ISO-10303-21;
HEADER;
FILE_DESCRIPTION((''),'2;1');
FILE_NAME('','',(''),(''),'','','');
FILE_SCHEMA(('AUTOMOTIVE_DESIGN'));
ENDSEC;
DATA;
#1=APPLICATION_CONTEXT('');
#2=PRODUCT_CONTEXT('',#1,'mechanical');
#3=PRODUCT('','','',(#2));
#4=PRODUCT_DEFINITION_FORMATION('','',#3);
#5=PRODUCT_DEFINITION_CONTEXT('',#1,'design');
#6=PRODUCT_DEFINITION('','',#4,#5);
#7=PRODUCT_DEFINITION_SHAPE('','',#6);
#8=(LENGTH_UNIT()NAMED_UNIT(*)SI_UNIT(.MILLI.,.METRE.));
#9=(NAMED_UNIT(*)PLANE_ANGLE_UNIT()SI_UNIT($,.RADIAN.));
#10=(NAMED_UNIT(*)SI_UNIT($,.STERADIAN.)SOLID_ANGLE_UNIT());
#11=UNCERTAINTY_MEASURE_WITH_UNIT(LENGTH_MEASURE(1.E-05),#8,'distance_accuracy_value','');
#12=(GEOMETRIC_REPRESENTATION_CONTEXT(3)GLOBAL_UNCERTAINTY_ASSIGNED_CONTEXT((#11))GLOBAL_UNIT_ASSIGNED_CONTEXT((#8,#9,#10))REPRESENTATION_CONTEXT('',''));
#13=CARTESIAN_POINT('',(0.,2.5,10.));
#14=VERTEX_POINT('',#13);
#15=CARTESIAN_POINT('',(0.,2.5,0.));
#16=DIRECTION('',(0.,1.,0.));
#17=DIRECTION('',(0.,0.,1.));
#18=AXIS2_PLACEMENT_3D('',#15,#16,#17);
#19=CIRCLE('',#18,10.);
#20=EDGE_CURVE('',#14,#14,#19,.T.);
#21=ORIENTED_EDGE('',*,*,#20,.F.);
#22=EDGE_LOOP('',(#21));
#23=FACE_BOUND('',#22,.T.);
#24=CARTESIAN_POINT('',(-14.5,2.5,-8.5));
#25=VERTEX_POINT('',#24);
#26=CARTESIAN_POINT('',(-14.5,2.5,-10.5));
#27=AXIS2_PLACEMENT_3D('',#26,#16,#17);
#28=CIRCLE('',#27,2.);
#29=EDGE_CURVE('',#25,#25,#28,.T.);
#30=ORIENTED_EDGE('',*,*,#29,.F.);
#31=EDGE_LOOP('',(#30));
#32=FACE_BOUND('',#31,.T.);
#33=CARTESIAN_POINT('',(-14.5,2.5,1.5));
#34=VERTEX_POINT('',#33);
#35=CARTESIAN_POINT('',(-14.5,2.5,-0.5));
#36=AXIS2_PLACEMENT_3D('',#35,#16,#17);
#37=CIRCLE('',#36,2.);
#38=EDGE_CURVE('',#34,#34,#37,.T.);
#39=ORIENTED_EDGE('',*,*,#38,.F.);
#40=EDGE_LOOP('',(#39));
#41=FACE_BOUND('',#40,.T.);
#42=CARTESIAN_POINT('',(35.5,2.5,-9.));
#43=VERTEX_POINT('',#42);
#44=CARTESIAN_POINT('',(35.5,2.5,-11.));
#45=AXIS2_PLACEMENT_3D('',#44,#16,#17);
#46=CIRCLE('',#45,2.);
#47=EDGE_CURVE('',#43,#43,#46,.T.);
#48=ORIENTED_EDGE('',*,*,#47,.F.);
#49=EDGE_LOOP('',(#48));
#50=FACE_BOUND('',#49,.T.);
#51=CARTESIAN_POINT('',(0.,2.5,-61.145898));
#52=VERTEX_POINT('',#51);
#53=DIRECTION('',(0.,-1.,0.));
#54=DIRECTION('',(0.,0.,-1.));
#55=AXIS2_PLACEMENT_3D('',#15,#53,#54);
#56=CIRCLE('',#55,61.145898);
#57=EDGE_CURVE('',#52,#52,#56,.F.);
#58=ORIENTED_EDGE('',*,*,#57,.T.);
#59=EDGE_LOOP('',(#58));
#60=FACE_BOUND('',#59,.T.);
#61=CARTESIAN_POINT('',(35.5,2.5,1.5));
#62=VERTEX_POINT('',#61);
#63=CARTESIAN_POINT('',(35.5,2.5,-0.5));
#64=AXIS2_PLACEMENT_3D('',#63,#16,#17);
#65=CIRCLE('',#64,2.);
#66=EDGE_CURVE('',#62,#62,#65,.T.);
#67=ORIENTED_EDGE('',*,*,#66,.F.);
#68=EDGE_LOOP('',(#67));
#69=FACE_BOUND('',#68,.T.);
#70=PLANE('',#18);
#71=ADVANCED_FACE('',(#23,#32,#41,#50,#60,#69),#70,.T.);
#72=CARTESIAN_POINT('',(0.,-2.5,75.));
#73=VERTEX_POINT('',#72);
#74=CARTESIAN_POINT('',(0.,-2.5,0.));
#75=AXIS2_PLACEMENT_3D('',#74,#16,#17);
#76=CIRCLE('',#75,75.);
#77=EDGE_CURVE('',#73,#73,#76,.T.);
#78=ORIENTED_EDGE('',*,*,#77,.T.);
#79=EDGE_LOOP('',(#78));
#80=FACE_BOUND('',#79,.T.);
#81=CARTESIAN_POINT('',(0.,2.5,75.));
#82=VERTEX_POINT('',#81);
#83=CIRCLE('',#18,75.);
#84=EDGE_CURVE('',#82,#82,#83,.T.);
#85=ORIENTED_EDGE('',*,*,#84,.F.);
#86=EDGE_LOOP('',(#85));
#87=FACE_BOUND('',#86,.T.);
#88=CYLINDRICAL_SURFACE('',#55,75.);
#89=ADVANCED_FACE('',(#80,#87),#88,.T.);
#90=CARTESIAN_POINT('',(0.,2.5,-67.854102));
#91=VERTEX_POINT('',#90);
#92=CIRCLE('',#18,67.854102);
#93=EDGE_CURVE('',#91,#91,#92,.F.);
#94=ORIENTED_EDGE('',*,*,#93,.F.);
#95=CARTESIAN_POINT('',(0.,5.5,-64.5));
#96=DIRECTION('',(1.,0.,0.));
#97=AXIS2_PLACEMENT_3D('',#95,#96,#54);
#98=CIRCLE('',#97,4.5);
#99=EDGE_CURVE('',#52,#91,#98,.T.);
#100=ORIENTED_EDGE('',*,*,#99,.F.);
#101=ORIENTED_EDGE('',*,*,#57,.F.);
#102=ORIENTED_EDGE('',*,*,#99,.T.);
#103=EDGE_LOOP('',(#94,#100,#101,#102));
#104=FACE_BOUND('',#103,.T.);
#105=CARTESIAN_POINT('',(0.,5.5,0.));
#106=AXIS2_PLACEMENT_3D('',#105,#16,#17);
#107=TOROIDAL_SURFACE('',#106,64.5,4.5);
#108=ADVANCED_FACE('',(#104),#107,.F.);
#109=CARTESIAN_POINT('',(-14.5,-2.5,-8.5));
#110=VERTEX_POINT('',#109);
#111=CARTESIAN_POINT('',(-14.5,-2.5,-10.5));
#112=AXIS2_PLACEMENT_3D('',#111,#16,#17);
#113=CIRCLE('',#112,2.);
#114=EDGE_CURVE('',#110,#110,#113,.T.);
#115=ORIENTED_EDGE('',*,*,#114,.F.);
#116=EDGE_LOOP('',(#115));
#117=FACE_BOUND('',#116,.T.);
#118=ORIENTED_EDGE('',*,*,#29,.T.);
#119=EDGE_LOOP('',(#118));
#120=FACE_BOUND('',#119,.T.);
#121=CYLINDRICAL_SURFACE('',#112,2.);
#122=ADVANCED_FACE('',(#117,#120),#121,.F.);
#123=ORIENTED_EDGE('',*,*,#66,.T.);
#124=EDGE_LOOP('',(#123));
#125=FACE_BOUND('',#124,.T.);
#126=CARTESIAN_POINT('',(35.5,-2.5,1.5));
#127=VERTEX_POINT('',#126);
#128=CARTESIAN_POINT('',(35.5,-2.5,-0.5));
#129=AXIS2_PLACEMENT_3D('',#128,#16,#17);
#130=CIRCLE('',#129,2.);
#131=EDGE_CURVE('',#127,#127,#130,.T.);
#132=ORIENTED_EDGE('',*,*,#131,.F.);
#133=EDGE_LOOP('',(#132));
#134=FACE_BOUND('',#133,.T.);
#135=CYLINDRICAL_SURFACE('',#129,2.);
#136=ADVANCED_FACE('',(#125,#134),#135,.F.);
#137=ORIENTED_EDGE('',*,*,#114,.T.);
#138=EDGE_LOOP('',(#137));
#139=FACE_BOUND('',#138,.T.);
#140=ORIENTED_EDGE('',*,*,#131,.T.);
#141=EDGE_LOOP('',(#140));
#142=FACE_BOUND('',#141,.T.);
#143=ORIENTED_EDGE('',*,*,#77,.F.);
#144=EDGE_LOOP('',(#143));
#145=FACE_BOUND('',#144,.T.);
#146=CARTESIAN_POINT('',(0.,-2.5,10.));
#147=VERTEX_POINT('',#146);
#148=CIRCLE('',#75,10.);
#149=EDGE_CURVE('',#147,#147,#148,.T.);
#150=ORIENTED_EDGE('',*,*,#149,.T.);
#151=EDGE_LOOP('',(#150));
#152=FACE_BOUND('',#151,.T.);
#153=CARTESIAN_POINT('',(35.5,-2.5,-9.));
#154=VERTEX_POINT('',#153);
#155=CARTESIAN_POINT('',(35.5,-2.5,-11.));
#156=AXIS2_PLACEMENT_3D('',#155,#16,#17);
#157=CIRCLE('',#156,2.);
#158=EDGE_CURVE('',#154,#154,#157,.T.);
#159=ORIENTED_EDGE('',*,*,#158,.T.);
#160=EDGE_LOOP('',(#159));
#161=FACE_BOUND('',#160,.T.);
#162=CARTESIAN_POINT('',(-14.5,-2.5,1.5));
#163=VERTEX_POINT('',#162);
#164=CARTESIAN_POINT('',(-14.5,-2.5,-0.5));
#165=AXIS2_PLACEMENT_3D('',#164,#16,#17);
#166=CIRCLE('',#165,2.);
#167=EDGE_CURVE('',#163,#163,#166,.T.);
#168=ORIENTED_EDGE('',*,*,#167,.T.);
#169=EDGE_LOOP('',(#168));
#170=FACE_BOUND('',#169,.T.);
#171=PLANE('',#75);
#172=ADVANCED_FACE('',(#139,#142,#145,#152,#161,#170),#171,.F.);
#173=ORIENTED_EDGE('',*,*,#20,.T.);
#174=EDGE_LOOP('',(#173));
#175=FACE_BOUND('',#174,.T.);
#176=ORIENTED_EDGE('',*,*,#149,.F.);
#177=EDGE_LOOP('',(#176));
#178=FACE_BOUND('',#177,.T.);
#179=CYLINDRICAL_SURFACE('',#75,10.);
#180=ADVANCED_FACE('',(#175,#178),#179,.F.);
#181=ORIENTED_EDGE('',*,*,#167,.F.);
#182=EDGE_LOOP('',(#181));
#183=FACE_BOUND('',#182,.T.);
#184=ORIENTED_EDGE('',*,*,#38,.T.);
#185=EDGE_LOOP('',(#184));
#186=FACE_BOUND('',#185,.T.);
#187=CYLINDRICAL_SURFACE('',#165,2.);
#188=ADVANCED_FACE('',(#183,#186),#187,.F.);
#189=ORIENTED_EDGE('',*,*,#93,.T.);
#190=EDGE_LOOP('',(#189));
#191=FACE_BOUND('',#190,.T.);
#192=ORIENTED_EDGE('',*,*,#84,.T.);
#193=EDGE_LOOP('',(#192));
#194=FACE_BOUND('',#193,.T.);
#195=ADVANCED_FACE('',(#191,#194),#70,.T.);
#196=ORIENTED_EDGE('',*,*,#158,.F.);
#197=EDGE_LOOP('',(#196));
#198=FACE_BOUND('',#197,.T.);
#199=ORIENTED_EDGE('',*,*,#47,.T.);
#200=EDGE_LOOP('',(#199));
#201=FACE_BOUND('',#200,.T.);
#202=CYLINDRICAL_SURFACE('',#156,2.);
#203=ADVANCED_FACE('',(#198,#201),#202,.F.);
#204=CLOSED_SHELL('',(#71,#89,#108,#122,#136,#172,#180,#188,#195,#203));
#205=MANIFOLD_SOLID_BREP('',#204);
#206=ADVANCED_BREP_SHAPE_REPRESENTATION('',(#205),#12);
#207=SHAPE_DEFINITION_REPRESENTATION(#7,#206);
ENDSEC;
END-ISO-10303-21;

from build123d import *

# Parameters (mm, degrees)
CROQUIS1_R              = 75
SALIENTE_EXTRUIR1_DEPTH = 2.5
CROQUIS2_R              = 10
CORTAR_EXTRUIR1_DEPTH   = 5
CROQUIS5_R              = 4.5
CROQUIS3_R              = 2
CORTAR_EXTRUIR4_DEPTH   = 5


with BuildPart() as part:
    # Croquis1 → Saliente-Extruir1 (new, symmetric)
    with BuildSketch(Plane(origin=(0, 0, 0), x_dir=(1, 0, 0), z_dir=(0, 1, 0))):
        with Locations(Location((0, 0, 0), (0, 0, 270))):
            Circle(CROQUIS1_R)
    extrude(amount=SALIENTE_EXTRUIR1_DEPTH, both=True)

    # Croquis2 → Cortar-Extruir1 (cut)
    with BuildSketch(Plane(origin=(0, 2.5, 0), x_dir=(1, 0, 0), z_dir=(0, 1, 0))):
        with Locations(Location((0, 0, 0), (0, 0, 270))):
            Circle(CROQUIS2_R)
    extrude(amount=-CORTAR_EXTRUIR1_DEPTH, mode=Mode.SUBTRACT)

    # Cortar-Barrer1: sweep along a path in Croquis4
    with BuildLine(Plane(origin=(0, 2.5, 0), x_dir=(1, 0, 0), z_dir=(0, 1, 0))) as cortar_barrer1_path:
        CenterArc((0, 0), 64.5, 0, 360)
    # Croquis5 → Cortar-Barrer1 (sweep, cut)
    with BuildSketch(Plane(origin=(0, 0, 0), x_dir=(0, 0, -1), z_dir=(1, 0, 0))):
        with Locations((64.5, 5.5)):
            Circle(CROQUIS5_R)
    sweep(path=cortar_barrer1_path.line, mode=Mode.SUBTRACT)

    # Croquis3 → Cortar-Extruir4 (cut)
    with BuildSketch(Plane(origin=(0, 2.5, 0), x_dir=(1, 0, 0), z_dir=(0, 1, 0))):
        with Locations(Location((-14.5, 10.5, 0), (0, 0, 270))):
            Circle(CROQUIS3_R)
        with Locations(Location((-14.5, 0.5, 0), (0, 0, 270))):
            Circle(CROQUIS3_R)
        with Locations(Location((35.5, 11, 0), (0, 0, 270))):
            Circle(CROQUIS3_R)
        with Locations(Location((35.5, 0.5, 0), (0, 0, 270))):
            Circle(CROQUIS3_R)
    extrude(amount=-CORTAR_EXTRUIR4_DEPTH, mode=Mode.SUBTRACT)


solid = part.part
